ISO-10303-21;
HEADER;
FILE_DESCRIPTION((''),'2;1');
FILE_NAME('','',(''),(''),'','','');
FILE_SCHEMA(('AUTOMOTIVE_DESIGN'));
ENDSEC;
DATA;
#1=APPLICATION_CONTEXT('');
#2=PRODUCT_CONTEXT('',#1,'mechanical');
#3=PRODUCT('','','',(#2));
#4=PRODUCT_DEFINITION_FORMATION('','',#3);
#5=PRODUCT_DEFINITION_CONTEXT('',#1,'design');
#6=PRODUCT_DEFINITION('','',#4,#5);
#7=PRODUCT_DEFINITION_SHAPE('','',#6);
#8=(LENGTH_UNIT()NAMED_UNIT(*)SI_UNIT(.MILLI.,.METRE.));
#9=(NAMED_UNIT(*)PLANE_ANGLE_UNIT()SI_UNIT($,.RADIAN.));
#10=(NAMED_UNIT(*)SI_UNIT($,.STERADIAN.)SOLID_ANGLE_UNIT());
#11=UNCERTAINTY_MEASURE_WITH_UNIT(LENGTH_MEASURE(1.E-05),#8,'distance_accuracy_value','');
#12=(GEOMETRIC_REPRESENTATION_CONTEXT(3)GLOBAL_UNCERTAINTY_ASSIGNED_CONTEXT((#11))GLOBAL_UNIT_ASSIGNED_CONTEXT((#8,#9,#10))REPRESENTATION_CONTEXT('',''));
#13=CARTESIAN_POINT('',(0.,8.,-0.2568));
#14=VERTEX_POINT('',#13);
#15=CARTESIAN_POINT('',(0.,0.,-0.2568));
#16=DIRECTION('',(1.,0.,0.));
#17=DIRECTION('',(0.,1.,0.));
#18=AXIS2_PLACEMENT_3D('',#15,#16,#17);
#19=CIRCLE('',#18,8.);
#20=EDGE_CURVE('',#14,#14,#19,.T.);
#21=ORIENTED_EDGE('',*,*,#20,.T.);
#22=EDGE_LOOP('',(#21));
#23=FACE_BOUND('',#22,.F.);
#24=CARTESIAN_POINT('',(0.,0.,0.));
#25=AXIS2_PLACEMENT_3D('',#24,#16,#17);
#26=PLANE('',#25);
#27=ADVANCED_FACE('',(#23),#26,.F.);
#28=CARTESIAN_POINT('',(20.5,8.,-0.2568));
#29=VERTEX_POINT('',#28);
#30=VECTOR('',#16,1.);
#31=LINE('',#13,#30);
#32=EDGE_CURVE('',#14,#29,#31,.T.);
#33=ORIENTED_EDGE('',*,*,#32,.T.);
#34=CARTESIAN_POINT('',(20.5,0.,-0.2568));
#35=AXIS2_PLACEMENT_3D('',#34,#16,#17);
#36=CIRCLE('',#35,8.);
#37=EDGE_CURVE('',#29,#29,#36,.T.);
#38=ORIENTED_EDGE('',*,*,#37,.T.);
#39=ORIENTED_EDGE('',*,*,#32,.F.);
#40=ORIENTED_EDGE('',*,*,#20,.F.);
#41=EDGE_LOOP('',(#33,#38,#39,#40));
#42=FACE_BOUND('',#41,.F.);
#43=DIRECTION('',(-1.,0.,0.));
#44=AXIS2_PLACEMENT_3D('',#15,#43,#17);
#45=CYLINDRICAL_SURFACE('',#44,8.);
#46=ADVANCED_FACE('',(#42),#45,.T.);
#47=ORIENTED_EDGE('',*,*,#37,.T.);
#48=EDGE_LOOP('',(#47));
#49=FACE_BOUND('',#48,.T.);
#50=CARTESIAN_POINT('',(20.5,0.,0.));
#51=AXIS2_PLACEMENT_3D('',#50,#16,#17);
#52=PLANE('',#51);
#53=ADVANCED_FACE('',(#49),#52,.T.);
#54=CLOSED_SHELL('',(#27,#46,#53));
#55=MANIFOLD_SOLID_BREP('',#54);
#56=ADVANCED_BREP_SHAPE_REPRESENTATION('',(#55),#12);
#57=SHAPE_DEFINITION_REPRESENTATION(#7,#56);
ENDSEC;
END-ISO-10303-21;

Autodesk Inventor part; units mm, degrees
ref_plane "YZ Plane" through (0, 0, 0) normal (1, 0, 0) x (0, 1, 0)
ref_plane "XZ Plane" through (0, 0, 0) normal (0, 1, 0) x (-1, 0, 0)
ref_plane "XY Plane" through (0, 0, 0) normal (0, 0, 1) x (1, 0, 0)
sketch "Sketch1" plane through (0, 0, 0) normal (1, 0, 0) x (0, 1, 0)
  circle A0 centre (0, -0.2568) radius 8
  point P0 (0, 0)
  dimension "d0" = 16
extrude "Extrusion1" add sketch "Sketch1" along normal blind 20.5
properties part number "Encoder"
